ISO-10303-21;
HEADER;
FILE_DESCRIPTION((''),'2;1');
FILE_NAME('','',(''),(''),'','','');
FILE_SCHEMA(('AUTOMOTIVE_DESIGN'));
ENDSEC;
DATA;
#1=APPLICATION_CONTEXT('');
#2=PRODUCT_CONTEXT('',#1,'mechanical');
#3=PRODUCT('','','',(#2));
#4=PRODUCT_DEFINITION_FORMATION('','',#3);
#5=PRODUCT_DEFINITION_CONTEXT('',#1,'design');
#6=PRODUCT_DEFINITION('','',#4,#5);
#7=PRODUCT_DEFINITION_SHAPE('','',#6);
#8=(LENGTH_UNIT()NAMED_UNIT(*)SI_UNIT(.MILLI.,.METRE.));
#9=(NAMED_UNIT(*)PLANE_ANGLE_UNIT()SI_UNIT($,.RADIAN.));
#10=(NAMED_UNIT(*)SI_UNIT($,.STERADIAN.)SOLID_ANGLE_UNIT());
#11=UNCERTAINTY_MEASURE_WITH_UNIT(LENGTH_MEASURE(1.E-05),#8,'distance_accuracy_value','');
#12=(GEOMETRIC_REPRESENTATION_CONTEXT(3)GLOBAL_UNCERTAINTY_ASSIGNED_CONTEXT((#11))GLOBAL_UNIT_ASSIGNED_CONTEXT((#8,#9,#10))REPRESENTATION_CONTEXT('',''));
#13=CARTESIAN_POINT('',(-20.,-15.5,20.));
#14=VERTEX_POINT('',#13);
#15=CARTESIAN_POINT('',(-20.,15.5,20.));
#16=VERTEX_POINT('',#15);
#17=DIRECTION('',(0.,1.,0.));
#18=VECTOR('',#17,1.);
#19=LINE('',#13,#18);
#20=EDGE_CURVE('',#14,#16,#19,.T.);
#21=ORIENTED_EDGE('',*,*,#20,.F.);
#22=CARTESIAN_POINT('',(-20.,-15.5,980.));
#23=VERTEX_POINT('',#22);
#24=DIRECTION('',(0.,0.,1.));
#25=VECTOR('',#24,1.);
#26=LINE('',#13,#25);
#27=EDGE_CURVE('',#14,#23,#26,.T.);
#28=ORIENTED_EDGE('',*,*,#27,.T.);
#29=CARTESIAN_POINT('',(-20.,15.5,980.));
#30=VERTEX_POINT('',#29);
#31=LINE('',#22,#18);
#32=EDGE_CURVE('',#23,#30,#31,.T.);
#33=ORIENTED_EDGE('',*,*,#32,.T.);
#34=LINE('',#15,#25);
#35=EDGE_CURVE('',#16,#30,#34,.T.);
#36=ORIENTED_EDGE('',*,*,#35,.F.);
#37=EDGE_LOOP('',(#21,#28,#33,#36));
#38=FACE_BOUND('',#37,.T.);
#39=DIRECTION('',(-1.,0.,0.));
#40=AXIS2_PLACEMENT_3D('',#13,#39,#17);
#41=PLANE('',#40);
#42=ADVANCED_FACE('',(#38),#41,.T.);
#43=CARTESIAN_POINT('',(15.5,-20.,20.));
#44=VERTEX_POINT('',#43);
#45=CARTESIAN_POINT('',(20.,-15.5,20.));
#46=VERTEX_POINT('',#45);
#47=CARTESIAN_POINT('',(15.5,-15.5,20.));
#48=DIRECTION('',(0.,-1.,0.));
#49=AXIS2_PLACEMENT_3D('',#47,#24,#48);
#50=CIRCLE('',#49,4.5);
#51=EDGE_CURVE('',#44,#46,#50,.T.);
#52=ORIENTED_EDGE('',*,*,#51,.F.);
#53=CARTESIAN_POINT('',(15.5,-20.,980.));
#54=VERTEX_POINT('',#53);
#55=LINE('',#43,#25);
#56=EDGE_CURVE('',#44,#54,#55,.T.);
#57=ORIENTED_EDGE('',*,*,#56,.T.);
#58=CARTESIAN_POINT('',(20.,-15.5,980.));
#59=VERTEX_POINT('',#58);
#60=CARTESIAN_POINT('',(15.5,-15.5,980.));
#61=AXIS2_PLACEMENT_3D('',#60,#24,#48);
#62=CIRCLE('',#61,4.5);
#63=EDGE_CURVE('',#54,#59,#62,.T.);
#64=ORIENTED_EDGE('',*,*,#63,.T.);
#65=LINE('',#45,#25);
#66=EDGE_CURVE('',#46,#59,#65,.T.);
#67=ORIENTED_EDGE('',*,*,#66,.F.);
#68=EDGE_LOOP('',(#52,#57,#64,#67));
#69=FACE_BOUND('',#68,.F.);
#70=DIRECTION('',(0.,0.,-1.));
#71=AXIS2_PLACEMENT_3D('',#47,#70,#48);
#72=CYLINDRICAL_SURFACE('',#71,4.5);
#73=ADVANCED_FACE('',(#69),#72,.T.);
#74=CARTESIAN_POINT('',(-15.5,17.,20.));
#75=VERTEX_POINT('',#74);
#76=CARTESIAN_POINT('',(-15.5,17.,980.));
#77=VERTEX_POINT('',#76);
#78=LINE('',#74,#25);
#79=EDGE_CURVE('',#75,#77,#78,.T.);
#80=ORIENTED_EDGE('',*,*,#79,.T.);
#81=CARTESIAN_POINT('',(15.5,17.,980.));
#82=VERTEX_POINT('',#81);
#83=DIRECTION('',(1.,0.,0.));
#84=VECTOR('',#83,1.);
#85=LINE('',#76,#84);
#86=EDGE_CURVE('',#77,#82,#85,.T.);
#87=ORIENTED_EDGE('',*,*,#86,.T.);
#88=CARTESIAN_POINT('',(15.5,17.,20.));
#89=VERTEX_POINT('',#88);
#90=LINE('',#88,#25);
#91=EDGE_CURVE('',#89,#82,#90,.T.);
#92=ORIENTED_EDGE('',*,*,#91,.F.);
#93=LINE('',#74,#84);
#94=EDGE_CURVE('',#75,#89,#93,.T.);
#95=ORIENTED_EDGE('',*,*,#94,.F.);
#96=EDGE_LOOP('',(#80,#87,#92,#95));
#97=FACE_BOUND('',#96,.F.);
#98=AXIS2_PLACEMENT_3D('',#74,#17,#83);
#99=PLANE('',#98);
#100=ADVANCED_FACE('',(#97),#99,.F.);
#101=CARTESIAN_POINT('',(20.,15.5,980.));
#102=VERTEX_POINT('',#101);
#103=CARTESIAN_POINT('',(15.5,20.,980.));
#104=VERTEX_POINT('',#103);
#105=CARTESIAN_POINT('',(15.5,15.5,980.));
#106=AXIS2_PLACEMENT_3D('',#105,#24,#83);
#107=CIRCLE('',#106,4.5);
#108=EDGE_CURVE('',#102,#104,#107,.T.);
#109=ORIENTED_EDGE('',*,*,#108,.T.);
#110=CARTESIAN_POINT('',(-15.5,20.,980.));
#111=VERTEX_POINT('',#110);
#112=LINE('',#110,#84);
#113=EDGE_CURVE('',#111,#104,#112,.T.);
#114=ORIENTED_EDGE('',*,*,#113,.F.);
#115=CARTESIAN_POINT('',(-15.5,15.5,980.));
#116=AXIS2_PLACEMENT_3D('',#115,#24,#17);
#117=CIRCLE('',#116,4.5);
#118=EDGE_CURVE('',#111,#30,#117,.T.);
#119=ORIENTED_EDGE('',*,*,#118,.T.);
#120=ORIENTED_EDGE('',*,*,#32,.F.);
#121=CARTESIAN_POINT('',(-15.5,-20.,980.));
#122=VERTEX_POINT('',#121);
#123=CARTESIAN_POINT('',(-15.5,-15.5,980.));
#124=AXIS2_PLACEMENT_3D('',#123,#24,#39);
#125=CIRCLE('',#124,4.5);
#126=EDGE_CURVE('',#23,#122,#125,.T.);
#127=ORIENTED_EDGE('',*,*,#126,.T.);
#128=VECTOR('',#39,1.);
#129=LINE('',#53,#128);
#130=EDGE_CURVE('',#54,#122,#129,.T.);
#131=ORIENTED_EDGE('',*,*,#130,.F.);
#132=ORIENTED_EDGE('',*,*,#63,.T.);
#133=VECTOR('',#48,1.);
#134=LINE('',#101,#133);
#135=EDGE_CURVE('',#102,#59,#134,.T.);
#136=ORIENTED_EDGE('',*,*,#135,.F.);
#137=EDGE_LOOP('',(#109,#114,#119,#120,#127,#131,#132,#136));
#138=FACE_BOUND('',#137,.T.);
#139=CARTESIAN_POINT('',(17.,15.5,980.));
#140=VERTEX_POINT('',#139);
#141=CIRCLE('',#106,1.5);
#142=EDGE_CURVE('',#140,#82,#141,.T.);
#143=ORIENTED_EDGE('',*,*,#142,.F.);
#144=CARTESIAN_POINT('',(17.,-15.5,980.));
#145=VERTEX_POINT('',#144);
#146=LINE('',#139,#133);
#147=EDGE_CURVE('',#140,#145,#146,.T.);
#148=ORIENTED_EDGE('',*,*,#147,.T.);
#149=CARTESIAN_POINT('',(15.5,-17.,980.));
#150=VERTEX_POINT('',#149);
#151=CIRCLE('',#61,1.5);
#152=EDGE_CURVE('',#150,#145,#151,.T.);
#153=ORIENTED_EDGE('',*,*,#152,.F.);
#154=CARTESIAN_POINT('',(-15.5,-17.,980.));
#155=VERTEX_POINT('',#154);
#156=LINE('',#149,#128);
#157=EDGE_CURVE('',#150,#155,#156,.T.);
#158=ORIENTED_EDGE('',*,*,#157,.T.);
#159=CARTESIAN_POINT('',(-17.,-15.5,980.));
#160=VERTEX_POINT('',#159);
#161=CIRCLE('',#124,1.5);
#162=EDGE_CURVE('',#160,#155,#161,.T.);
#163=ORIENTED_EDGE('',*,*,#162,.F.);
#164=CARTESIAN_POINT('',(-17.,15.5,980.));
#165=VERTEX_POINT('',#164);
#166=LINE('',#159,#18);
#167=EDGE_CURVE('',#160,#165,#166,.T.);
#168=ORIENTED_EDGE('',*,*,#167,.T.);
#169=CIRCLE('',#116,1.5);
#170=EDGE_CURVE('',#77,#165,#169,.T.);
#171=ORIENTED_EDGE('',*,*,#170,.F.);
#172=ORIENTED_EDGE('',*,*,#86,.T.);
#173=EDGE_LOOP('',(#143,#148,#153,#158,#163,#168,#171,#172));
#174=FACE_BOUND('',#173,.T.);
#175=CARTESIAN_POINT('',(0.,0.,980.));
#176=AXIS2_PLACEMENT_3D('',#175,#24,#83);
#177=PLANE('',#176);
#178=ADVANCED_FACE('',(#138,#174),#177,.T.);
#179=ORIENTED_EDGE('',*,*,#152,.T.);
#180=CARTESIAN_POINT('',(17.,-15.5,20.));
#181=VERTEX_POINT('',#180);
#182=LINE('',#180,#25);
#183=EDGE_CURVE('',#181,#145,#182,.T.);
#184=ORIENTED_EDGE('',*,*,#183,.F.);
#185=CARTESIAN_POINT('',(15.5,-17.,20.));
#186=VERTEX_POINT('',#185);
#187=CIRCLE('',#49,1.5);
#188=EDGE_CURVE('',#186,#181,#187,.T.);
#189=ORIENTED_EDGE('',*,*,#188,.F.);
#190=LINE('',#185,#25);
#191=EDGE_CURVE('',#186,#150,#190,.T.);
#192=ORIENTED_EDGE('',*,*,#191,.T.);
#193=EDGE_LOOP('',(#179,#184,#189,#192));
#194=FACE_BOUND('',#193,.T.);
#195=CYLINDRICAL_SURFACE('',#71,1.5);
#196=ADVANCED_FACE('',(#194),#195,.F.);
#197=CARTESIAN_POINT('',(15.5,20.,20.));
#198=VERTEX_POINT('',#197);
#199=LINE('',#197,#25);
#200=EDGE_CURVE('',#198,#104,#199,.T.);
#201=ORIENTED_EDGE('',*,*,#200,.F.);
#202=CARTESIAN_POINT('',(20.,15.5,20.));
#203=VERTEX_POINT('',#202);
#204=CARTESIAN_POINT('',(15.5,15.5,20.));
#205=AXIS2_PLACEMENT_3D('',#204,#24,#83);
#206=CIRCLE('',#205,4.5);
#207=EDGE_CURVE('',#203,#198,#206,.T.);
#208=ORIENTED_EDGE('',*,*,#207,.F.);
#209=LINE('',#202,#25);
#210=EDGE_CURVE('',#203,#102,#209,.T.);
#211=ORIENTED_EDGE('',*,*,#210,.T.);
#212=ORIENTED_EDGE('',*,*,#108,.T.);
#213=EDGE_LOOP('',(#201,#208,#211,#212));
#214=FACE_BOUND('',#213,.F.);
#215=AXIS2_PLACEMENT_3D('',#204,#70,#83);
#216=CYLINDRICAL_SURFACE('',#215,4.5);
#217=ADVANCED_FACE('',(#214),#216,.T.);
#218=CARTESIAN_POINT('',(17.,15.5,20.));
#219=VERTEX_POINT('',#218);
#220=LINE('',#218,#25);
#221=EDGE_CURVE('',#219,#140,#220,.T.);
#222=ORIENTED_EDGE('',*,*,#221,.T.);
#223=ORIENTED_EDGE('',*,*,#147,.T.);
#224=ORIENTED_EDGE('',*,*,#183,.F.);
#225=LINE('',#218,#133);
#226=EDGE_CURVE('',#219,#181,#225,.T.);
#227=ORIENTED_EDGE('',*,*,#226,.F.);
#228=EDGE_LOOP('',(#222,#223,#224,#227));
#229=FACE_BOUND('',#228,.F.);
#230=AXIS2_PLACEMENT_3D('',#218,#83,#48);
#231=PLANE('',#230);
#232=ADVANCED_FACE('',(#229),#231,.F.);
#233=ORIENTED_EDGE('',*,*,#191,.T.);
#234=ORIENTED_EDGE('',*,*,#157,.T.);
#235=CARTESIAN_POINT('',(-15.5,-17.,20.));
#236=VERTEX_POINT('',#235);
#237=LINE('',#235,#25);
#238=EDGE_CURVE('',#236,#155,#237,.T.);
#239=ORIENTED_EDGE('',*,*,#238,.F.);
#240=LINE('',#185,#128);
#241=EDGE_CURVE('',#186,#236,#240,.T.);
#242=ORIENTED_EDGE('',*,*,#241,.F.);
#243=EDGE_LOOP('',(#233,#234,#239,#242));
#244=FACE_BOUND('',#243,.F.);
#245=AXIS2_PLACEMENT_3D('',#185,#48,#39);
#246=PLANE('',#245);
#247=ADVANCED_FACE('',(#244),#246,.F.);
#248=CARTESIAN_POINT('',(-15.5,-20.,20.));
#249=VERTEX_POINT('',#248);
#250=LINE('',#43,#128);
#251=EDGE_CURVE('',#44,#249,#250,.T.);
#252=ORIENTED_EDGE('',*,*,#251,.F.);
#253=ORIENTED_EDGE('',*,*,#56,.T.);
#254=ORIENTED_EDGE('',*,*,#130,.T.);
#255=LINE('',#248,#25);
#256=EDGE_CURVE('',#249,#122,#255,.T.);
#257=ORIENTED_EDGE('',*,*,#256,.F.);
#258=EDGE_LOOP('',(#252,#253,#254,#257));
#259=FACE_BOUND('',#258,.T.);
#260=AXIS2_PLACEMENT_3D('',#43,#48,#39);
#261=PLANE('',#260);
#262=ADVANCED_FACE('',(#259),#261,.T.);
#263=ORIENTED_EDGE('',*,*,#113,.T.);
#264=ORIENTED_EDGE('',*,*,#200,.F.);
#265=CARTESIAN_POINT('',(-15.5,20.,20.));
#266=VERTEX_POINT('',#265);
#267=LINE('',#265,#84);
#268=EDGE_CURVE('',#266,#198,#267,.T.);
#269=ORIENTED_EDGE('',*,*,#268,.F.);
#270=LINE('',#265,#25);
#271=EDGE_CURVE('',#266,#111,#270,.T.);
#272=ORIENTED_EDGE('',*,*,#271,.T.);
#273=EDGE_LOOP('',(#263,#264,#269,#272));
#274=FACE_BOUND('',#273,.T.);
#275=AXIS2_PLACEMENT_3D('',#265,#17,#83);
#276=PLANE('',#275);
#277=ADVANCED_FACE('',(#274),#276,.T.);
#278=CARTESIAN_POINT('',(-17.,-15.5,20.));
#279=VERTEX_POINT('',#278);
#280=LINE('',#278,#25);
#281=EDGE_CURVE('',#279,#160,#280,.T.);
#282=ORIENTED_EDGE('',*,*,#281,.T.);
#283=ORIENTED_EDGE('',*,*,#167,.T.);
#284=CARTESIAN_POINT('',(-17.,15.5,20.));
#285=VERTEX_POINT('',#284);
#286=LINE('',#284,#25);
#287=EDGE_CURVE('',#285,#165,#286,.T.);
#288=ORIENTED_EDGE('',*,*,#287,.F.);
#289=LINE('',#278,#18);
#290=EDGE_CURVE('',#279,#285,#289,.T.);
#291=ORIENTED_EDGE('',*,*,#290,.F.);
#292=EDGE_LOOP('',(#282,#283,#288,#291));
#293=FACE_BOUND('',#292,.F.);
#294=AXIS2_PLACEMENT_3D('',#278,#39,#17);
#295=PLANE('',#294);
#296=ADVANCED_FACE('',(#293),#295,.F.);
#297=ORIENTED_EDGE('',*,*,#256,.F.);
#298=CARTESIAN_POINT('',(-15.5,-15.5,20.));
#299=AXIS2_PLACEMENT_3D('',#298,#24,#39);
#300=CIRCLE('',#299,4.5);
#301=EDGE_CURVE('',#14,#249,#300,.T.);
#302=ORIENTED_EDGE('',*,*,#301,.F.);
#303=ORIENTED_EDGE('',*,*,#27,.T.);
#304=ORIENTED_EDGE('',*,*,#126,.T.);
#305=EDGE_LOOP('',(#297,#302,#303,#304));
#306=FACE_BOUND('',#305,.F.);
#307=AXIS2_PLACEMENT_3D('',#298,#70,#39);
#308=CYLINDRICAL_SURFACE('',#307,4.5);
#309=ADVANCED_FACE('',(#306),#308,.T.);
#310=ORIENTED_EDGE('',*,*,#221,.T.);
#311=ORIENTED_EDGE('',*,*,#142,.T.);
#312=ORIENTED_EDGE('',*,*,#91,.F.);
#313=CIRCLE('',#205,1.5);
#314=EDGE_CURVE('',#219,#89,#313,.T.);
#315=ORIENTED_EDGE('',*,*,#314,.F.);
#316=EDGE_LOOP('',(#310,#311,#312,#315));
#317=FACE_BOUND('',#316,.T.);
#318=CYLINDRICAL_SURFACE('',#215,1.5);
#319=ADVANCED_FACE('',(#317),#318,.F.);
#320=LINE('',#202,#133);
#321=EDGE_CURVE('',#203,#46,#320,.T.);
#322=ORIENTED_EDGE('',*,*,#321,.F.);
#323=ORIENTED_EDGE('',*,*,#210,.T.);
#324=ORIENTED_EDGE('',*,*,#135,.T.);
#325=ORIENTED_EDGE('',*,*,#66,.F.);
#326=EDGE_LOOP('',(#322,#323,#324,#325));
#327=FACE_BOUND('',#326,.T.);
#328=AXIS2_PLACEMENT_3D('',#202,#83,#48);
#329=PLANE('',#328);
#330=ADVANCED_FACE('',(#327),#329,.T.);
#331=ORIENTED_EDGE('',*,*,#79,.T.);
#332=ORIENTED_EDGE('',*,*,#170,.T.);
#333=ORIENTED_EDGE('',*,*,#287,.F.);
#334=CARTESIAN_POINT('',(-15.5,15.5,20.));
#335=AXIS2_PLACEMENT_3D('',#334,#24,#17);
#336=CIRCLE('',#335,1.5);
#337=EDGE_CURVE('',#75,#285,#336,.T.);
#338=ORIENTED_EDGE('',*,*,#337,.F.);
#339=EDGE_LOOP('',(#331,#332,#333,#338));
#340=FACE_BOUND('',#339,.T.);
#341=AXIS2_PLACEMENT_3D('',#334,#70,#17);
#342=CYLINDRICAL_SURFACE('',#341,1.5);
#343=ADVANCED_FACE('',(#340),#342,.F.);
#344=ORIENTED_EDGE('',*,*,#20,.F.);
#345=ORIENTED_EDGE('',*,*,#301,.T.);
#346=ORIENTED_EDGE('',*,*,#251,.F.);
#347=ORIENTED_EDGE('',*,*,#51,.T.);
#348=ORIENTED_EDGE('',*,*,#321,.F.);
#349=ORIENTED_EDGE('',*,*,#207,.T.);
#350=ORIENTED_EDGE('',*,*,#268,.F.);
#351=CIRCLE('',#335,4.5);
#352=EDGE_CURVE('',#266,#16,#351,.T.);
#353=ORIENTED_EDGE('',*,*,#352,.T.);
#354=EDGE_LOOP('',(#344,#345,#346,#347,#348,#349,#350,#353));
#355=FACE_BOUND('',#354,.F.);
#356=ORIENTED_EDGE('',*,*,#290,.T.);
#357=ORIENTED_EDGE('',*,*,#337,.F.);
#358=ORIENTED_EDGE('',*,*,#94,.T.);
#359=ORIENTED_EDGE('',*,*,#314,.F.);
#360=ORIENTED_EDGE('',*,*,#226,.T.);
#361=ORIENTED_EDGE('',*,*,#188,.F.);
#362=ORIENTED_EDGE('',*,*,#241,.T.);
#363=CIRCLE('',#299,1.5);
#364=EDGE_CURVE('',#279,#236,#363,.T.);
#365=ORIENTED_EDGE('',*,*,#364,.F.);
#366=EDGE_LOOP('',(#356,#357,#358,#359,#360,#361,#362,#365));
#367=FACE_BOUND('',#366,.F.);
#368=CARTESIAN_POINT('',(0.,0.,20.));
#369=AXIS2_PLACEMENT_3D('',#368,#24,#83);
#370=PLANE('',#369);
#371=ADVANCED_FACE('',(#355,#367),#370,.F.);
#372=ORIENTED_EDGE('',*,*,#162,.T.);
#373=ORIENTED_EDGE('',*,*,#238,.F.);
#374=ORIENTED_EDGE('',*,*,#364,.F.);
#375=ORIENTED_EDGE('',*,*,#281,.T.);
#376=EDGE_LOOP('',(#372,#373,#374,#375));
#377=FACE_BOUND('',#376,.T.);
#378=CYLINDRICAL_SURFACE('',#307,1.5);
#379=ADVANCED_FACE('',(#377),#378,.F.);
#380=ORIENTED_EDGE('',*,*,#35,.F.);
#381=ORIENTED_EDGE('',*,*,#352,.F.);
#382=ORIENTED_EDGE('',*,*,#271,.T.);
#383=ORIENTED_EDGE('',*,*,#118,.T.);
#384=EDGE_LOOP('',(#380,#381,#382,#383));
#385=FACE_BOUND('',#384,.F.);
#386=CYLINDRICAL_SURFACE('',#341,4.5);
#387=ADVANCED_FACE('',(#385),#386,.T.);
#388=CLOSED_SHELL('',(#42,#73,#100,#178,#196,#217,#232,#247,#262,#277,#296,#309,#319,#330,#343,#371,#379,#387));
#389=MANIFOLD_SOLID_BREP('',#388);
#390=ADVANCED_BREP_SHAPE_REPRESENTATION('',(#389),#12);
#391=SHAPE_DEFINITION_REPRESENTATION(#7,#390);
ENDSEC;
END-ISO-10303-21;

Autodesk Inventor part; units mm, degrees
ref_plane "Start Plane" through (0, 0, 20) normal (0, 0, 1) x (1, 0, 0)
ref_plane "End Plane" through (0, 0, 980) normal (0, 0, 1) x (1, 0, 0)
sketch "Sketch" plane through (0, 0, 0) normal (0, 0, 1) x (1, 0, 0)
  line L0 (-20, -15.5) -> (-20, 15.5)
  line L1 (-15.5, 20) -> (15.5, 20)
  line L2 (20, 15.5) -> (20, -15.5)
  line L3 (15.5, -20) -> (-15.5, -20)
  arc A0 (-20, -15.5) -> (-15.5, -20) centre (-15.5, -15.5) ccw
  arc A1 (-15.5, 20) -> (-20, 15.5) centre (-15.5, 15.5) ccw
  arc A2 (20, 15.5) -> (15.5, 20) centre (15.5, 15.5) ccw
  arc A3 (15.5, -20) -> (20, -15.5) centre (15.5, -15.5) ccw
  arc A4 (-15.5, 17) -> (-17, 15.5) centre (-15.5, 15.5) ccw
  line L4 (-15.5, 17) -> (15.5, 17)
  arc A5 (17, 15.5) -> (15.5, 17) centre (15.5, 15.5) ccw
  line L5 (17, 15.5) -> (17, -15.5)
  arc A6 (15.5, -17) -> (17, -15.5) centre (15.5, -15.5) ccw
  line L6 (15.5, -17) -> (-15.5, -17)
  arc A7 (-17, -15.5) -> (-15.5, -17) centre (-15.5, -15.5) ccw
  line L7 (-17, -15.5) -> (-17, 15.5)
  line L8 (0, 29.3048) -> (0, -29.3048) construction
  line L9 (-29.3048, 0) -> (29.3048, 0) construction
  dimension "d7" = 4.5
  dimension "d10" = 40
  dimension "d11" = 40
  dimension "d12" = 3
  dimension "d15" = 20
  dimension "d16" = 20
extrude "Body" add sketch "Sketch" along normal up to surface (960 mm away) from surface at 20
sketch "Sketch3" plane through (0, 0, 0) normal (0, 0, 1) x (1, 0, 0)
  line L0 (0, 0) -> (10, 0)
ref_plane "Work Plane3" through (0, 0, 0) normal (0, -1, 0) x (1, 0, 0)
ref_plane "Work Plane4" through (-15.5, -560, 980) normal (0, 0, 1) x (1, 0, 0)
split "Split1" plane through (-15.5, -560, 980) removes the side toward (0, 0, 1)
ref_plane "Work Plane5" through (15.5, -560, 20) normal (0, 0, -1) x (-1, 0, 0)
split "Split2" plane through (15.5, -560, 20) removes the side toward (0, 0, -1)
sketch "Sketch4" plane through (0, 0, 0) normal (0, -1, 0) x (1, 0, 0)
  line L0 (-2, 20) -> (12, 20) projected
  line L1 (-2, 980) -> (12, 980) projected
  dimension "d18" = 960
equation "\"d7\" = G_IR"
equation "\"d10\" = G_H"
equation "\"d11\" = G_W"
equation "\"d12\" = G_T"
equation "\"d15\" = 0.5 * d10"
equation "\"d16\" = 0.5 * d11"
equation "\"d3\" = G_L"
equation "\"G_W\" = 40"
equation "\"G_H\" = 40"
equation "\"G_T\" = 3"
equation "\"G_IR\" = 4.5"
equation "\"G_L\" = d18"
properties part number "ISO 12633-2 - 40x40x3 - 960" material "Steel, Mild"
